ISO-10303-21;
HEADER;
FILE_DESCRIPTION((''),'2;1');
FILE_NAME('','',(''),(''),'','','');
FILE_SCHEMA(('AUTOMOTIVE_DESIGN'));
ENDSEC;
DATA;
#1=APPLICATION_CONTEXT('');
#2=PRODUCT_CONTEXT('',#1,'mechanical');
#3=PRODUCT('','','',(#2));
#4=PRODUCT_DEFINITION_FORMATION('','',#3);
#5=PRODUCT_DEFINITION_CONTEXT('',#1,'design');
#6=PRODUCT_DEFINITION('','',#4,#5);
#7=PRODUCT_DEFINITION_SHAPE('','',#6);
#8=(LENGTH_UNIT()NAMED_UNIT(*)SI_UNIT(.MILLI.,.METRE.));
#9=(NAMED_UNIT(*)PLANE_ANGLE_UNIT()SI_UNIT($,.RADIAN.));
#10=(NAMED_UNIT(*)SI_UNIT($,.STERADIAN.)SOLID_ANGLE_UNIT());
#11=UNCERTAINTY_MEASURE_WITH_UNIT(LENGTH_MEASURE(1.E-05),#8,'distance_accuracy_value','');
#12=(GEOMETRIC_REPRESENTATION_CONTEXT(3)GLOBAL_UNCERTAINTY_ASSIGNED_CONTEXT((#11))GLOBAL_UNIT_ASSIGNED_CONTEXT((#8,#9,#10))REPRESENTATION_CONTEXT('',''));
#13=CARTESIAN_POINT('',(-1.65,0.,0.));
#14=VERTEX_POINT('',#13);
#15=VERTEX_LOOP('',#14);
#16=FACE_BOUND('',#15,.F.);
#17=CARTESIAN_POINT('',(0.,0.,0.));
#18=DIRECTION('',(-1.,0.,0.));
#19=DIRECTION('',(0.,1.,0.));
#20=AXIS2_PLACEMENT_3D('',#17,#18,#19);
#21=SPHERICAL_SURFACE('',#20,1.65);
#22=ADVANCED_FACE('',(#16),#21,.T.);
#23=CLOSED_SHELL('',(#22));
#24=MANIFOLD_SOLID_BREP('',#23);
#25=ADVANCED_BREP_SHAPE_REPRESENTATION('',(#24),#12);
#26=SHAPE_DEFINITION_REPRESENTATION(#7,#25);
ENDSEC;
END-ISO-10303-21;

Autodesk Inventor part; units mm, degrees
sketch "Sketch_1" plane through (0, 0, 0) normal (0, 0, 1) x (1, 0, 0)
  line L0 (1.65, 0) -> (-1.65, 0)
  arc A0 (1.65, 0) -> (-1.65, 0) centre (0, 0) ccw
  line L1 (1.65, 0) -> (-1.65, 0)
revolve "Revolution1" add sketch "Sketch_1" angle 360 about axis through (1.65, 0, 0) along (1, 0, 0)
ref_plane "ip_op_b_XY" through (0, 0, 0) normal (-1, 0, 0) x (0, 0, -1)
ref_plane "ip_op_b_YZ" through (0, 0, 0) normal (0, 0, -1) x (0, -1, 0)
ref_plane "ip_op_b_ZX" through (0, 0, 0) normal (0, -1, 0) x (-1, 0, 0)
properties part number "606 Ball" material "Steel"
